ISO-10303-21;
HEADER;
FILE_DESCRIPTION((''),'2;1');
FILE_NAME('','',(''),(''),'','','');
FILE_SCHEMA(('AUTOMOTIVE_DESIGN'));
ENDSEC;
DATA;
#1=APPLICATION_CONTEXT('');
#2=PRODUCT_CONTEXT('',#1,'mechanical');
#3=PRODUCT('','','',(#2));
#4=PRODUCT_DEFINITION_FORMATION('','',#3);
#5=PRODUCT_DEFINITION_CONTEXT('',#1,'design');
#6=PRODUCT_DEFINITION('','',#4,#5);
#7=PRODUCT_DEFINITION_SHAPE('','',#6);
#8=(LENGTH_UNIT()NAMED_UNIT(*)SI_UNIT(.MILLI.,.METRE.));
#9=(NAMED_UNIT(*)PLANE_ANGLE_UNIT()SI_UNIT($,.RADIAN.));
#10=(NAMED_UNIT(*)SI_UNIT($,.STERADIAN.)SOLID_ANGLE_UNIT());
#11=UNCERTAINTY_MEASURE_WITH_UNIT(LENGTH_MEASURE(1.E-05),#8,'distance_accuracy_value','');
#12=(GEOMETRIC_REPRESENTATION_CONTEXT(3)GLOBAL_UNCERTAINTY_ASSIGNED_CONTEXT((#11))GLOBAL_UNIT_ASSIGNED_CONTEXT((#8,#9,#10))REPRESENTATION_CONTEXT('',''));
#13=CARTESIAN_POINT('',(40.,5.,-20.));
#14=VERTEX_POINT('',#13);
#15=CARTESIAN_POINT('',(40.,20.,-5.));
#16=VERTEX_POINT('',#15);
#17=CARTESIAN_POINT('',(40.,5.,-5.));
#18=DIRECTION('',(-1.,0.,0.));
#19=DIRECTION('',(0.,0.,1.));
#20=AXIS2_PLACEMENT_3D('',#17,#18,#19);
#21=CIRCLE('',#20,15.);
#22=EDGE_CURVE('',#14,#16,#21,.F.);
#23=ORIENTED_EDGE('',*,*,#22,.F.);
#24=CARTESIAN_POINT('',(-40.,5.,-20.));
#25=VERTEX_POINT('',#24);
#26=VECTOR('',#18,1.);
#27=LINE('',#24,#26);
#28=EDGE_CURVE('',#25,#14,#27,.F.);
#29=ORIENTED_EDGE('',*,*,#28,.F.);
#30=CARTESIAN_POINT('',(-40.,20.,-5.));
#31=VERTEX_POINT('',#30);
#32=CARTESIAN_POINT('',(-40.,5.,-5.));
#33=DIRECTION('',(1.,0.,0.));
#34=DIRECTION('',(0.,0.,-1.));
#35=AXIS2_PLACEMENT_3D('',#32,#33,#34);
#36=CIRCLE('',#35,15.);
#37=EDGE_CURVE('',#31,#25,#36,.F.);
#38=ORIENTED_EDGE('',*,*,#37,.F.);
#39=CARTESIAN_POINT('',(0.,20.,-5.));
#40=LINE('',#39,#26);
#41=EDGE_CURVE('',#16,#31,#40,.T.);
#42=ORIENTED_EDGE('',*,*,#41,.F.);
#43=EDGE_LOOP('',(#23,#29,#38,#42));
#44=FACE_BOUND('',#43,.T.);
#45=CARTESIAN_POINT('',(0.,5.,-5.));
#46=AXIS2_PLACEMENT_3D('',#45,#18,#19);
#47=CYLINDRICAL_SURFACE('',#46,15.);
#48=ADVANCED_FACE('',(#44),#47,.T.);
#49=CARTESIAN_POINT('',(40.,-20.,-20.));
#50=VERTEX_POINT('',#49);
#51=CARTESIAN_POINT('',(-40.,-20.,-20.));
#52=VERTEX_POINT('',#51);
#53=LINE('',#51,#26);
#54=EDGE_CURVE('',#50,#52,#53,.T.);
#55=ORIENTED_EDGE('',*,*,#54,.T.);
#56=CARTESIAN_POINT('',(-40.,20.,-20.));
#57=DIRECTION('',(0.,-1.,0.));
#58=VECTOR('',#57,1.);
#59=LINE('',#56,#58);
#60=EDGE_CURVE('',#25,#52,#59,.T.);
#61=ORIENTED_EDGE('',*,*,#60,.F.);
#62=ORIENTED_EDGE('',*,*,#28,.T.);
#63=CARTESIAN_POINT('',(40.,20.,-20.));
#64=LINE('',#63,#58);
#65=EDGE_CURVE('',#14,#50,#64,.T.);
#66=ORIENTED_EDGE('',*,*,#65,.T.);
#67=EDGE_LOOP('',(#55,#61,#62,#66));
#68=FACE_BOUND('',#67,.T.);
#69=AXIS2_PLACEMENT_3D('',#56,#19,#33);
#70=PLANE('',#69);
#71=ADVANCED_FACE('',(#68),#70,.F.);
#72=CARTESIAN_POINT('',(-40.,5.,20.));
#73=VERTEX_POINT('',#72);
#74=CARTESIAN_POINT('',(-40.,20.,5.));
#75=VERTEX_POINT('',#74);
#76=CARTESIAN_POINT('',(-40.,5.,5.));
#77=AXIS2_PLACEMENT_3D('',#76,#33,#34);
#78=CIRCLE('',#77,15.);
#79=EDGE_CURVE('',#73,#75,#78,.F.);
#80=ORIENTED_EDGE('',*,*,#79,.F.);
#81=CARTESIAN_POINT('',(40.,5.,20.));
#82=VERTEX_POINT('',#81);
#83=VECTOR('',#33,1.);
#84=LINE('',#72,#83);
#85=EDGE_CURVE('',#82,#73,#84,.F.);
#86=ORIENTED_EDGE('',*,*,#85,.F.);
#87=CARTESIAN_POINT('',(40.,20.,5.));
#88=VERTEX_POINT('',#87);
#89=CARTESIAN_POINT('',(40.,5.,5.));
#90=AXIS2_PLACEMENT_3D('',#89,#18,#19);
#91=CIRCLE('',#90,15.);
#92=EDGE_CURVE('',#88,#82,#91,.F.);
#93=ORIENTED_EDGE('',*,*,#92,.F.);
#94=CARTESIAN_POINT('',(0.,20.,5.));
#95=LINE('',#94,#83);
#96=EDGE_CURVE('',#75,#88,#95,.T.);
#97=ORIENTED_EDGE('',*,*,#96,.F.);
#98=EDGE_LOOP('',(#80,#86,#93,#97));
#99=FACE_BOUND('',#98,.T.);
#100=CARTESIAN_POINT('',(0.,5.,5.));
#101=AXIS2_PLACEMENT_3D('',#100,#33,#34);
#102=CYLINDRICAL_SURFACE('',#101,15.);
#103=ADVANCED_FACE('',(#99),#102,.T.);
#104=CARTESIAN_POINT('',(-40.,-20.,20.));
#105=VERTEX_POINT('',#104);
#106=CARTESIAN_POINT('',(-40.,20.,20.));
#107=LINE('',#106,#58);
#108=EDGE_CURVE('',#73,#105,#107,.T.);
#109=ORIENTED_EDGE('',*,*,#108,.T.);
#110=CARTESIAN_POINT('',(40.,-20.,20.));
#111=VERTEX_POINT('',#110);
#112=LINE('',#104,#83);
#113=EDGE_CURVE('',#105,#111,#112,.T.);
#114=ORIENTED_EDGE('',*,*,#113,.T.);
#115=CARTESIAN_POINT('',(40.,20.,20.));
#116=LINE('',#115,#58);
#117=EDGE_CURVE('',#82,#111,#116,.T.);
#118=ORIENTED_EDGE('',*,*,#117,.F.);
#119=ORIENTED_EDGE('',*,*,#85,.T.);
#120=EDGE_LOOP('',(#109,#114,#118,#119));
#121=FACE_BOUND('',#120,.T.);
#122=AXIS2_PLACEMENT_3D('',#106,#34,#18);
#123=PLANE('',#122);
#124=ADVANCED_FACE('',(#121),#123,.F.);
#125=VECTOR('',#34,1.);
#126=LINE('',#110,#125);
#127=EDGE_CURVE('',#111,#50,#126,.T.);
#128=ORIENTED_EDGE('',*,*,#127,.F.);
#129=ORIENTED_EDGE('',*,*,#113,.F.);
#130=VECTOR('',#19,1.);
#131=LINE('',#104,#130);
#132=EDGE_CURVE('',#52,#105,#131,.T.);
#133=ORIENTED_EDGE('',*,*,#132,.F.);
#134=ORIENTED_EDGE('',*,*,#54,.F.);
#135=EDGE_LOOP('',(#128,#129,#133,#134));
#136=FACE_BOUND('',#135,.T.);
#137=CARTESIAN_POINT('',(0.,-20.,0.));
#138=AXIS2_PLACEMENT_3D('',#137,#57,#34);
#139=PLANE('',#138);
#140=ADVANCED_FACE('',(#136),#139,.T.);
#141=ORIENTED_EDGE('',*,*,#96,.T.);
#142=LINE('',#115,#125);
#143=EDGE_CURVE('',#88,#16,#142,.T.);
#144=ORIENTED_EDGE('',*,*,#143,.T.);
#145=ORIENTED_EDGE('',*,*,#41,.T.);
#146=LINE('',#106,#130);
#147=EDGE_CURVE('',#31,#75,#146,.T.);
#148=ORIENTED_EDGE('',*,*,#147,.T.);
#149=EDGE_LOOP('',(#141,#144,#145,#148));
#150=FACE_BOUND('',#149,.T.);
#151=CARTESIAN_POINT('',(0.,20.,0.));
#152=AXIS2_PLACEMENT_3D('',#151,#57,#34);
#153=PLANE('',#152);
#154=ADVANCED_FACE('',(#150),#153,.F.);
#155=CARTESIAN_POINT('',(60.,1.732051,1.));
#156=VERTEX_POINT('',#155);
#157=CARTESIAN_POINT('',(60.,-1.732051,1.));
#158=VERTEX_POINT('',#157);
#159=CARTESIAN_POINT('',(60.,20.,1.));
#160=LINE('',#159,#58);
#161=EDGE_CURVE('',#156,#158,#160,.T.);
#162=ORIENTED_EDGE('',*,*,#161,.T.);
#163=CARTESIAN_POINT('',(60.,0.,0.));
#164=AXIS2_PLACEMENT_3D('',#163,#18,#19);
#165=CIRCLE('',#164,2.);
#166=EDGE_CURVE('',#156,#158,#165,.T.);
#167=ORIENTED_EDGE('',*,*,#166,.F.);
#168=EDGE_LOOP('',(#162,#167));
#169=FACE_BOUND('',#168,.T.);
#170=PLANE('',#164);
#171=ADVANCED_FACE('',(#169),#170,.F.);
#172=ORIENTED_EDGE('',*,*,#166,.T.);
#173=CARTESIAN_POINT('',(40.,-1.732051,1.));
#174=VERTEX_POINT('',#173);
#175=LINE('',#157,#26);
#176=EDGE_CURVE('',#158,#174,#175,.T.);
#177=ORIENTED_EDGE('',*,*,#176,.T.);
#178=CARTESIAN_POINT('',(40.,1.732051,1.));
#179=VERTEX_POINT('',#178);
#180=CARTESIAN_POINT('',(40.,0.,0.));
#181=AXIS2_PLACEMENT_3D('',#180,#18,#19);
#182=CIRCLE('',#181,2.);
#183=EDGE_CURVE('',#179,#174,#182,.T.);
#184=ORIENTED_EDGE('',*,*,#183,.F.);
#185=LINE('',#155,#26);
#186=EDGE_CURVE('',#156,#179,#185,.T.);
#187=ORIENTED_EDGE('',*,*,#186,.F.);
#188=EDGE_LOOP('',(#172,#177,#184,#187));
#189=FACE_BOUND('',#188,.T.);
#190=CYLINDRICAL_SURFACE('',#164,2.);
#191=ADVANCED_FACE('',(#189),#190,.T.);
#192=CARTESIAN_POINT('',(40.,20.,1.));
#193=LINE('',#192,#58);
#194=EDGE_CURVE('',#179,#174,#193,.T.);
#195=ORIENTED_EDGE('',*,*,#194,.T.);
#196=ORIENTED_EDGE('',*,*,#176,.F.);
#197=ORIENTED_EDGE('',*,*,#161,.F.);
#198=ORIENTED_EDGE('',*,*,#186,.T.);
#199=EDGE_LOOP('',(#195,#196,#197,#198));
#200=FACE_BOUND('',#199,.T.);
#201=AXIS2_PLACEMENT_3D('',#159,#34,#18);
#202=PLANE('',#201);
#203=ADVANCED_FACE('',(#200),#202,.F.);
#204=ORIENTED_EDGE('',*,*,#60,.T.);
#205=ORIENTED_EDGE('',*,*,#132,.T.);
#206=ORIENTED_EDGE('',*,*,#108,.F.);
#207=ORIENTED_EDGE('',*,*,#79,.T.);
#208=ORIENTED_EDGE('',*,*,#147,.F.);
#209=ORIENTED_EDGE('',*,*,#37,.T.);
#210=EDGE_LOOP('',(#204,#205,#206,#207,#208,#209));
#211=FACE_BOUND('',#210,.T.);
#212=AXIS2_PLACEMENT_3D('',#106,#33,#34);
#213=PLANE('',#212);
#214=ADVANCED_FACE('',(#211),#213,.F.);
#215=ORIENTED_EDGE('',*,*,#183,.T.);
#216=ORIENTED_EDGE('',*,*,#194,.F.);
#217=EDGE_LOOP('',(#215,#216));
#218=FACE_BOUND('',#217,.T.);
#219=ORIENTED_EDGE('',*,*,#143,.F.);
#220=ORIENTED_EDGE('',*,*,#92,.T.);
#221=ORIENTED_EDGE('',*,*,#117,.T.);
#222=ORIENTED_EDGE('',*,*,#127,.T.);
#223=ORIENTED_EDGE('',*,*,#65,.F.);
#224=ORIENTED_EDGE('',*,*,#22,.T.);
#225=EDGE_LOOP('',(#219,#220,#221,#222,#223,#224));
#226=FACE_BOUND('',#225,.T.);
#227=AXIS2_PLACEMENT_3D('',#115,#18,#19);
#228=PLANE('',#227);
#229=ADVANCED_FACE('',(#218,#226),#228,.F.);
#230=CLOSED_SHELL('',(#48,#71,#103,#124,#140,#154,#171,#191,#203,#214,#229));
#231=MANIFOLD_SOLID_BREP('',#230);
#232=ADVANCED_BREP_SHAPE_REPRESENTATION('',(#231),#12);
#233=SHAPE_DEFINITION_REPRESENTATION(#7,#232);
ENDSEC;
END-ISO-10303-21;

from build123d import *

# Parameters (mm, degrees)
SKETCH1_W           = 80
SKETCH1_H           = 40
BOSS_EXTRUDE1_DEPTH = 20
BOSS_EXTRUDE2_START = 40
BOSS_EXTRUDE2_DEPTH = 20
FILLET1_R           = 15


with BuildPart() as part:
    # Sketch1 → Boss-Extrude1 (new, symmetric)
    with BuildSketch(Plane(origin=(0, 0, 0), x_dir=(1, 0, 0), z_dir=(0, 1, 0))):
        Rectangle(SKETCH1_W, SKETCH1_H)
    extrude(amount=BOSS_EXTRUDE1_DEPTH, both=True)

    # Sketch4 → Boss-Extrude2 (add)
    with BuildSketch(Plane(origin=(0, 0, 0), x_dir=(0, 0, -1), z_dir=(1, 0, 0)).offset(BOSS_EXTRUDE2_START)):
        with BuildLine():
            ThreePointArc((2, 0), (1, 1.732050808), (-1, 1.732050808))
            Line((-1, 1.732050808), (-1, -1.732050808))
            ThreePointArc((-1, -1.732050808), (1, -1.732050808), (2, 0))
        make_face()
    extrude(amount=BOSS_EXTRUDE2_DEPTH)

    # Fillet1
    fillet1_edges = [part.edges().sort_by_distance(p)[0] for p in [
        (0, 20, 20),
        (0, 20, -20),
    ]]
    fillet(fillet1_edges, radius=FILLET1_R)


solid = part.part
